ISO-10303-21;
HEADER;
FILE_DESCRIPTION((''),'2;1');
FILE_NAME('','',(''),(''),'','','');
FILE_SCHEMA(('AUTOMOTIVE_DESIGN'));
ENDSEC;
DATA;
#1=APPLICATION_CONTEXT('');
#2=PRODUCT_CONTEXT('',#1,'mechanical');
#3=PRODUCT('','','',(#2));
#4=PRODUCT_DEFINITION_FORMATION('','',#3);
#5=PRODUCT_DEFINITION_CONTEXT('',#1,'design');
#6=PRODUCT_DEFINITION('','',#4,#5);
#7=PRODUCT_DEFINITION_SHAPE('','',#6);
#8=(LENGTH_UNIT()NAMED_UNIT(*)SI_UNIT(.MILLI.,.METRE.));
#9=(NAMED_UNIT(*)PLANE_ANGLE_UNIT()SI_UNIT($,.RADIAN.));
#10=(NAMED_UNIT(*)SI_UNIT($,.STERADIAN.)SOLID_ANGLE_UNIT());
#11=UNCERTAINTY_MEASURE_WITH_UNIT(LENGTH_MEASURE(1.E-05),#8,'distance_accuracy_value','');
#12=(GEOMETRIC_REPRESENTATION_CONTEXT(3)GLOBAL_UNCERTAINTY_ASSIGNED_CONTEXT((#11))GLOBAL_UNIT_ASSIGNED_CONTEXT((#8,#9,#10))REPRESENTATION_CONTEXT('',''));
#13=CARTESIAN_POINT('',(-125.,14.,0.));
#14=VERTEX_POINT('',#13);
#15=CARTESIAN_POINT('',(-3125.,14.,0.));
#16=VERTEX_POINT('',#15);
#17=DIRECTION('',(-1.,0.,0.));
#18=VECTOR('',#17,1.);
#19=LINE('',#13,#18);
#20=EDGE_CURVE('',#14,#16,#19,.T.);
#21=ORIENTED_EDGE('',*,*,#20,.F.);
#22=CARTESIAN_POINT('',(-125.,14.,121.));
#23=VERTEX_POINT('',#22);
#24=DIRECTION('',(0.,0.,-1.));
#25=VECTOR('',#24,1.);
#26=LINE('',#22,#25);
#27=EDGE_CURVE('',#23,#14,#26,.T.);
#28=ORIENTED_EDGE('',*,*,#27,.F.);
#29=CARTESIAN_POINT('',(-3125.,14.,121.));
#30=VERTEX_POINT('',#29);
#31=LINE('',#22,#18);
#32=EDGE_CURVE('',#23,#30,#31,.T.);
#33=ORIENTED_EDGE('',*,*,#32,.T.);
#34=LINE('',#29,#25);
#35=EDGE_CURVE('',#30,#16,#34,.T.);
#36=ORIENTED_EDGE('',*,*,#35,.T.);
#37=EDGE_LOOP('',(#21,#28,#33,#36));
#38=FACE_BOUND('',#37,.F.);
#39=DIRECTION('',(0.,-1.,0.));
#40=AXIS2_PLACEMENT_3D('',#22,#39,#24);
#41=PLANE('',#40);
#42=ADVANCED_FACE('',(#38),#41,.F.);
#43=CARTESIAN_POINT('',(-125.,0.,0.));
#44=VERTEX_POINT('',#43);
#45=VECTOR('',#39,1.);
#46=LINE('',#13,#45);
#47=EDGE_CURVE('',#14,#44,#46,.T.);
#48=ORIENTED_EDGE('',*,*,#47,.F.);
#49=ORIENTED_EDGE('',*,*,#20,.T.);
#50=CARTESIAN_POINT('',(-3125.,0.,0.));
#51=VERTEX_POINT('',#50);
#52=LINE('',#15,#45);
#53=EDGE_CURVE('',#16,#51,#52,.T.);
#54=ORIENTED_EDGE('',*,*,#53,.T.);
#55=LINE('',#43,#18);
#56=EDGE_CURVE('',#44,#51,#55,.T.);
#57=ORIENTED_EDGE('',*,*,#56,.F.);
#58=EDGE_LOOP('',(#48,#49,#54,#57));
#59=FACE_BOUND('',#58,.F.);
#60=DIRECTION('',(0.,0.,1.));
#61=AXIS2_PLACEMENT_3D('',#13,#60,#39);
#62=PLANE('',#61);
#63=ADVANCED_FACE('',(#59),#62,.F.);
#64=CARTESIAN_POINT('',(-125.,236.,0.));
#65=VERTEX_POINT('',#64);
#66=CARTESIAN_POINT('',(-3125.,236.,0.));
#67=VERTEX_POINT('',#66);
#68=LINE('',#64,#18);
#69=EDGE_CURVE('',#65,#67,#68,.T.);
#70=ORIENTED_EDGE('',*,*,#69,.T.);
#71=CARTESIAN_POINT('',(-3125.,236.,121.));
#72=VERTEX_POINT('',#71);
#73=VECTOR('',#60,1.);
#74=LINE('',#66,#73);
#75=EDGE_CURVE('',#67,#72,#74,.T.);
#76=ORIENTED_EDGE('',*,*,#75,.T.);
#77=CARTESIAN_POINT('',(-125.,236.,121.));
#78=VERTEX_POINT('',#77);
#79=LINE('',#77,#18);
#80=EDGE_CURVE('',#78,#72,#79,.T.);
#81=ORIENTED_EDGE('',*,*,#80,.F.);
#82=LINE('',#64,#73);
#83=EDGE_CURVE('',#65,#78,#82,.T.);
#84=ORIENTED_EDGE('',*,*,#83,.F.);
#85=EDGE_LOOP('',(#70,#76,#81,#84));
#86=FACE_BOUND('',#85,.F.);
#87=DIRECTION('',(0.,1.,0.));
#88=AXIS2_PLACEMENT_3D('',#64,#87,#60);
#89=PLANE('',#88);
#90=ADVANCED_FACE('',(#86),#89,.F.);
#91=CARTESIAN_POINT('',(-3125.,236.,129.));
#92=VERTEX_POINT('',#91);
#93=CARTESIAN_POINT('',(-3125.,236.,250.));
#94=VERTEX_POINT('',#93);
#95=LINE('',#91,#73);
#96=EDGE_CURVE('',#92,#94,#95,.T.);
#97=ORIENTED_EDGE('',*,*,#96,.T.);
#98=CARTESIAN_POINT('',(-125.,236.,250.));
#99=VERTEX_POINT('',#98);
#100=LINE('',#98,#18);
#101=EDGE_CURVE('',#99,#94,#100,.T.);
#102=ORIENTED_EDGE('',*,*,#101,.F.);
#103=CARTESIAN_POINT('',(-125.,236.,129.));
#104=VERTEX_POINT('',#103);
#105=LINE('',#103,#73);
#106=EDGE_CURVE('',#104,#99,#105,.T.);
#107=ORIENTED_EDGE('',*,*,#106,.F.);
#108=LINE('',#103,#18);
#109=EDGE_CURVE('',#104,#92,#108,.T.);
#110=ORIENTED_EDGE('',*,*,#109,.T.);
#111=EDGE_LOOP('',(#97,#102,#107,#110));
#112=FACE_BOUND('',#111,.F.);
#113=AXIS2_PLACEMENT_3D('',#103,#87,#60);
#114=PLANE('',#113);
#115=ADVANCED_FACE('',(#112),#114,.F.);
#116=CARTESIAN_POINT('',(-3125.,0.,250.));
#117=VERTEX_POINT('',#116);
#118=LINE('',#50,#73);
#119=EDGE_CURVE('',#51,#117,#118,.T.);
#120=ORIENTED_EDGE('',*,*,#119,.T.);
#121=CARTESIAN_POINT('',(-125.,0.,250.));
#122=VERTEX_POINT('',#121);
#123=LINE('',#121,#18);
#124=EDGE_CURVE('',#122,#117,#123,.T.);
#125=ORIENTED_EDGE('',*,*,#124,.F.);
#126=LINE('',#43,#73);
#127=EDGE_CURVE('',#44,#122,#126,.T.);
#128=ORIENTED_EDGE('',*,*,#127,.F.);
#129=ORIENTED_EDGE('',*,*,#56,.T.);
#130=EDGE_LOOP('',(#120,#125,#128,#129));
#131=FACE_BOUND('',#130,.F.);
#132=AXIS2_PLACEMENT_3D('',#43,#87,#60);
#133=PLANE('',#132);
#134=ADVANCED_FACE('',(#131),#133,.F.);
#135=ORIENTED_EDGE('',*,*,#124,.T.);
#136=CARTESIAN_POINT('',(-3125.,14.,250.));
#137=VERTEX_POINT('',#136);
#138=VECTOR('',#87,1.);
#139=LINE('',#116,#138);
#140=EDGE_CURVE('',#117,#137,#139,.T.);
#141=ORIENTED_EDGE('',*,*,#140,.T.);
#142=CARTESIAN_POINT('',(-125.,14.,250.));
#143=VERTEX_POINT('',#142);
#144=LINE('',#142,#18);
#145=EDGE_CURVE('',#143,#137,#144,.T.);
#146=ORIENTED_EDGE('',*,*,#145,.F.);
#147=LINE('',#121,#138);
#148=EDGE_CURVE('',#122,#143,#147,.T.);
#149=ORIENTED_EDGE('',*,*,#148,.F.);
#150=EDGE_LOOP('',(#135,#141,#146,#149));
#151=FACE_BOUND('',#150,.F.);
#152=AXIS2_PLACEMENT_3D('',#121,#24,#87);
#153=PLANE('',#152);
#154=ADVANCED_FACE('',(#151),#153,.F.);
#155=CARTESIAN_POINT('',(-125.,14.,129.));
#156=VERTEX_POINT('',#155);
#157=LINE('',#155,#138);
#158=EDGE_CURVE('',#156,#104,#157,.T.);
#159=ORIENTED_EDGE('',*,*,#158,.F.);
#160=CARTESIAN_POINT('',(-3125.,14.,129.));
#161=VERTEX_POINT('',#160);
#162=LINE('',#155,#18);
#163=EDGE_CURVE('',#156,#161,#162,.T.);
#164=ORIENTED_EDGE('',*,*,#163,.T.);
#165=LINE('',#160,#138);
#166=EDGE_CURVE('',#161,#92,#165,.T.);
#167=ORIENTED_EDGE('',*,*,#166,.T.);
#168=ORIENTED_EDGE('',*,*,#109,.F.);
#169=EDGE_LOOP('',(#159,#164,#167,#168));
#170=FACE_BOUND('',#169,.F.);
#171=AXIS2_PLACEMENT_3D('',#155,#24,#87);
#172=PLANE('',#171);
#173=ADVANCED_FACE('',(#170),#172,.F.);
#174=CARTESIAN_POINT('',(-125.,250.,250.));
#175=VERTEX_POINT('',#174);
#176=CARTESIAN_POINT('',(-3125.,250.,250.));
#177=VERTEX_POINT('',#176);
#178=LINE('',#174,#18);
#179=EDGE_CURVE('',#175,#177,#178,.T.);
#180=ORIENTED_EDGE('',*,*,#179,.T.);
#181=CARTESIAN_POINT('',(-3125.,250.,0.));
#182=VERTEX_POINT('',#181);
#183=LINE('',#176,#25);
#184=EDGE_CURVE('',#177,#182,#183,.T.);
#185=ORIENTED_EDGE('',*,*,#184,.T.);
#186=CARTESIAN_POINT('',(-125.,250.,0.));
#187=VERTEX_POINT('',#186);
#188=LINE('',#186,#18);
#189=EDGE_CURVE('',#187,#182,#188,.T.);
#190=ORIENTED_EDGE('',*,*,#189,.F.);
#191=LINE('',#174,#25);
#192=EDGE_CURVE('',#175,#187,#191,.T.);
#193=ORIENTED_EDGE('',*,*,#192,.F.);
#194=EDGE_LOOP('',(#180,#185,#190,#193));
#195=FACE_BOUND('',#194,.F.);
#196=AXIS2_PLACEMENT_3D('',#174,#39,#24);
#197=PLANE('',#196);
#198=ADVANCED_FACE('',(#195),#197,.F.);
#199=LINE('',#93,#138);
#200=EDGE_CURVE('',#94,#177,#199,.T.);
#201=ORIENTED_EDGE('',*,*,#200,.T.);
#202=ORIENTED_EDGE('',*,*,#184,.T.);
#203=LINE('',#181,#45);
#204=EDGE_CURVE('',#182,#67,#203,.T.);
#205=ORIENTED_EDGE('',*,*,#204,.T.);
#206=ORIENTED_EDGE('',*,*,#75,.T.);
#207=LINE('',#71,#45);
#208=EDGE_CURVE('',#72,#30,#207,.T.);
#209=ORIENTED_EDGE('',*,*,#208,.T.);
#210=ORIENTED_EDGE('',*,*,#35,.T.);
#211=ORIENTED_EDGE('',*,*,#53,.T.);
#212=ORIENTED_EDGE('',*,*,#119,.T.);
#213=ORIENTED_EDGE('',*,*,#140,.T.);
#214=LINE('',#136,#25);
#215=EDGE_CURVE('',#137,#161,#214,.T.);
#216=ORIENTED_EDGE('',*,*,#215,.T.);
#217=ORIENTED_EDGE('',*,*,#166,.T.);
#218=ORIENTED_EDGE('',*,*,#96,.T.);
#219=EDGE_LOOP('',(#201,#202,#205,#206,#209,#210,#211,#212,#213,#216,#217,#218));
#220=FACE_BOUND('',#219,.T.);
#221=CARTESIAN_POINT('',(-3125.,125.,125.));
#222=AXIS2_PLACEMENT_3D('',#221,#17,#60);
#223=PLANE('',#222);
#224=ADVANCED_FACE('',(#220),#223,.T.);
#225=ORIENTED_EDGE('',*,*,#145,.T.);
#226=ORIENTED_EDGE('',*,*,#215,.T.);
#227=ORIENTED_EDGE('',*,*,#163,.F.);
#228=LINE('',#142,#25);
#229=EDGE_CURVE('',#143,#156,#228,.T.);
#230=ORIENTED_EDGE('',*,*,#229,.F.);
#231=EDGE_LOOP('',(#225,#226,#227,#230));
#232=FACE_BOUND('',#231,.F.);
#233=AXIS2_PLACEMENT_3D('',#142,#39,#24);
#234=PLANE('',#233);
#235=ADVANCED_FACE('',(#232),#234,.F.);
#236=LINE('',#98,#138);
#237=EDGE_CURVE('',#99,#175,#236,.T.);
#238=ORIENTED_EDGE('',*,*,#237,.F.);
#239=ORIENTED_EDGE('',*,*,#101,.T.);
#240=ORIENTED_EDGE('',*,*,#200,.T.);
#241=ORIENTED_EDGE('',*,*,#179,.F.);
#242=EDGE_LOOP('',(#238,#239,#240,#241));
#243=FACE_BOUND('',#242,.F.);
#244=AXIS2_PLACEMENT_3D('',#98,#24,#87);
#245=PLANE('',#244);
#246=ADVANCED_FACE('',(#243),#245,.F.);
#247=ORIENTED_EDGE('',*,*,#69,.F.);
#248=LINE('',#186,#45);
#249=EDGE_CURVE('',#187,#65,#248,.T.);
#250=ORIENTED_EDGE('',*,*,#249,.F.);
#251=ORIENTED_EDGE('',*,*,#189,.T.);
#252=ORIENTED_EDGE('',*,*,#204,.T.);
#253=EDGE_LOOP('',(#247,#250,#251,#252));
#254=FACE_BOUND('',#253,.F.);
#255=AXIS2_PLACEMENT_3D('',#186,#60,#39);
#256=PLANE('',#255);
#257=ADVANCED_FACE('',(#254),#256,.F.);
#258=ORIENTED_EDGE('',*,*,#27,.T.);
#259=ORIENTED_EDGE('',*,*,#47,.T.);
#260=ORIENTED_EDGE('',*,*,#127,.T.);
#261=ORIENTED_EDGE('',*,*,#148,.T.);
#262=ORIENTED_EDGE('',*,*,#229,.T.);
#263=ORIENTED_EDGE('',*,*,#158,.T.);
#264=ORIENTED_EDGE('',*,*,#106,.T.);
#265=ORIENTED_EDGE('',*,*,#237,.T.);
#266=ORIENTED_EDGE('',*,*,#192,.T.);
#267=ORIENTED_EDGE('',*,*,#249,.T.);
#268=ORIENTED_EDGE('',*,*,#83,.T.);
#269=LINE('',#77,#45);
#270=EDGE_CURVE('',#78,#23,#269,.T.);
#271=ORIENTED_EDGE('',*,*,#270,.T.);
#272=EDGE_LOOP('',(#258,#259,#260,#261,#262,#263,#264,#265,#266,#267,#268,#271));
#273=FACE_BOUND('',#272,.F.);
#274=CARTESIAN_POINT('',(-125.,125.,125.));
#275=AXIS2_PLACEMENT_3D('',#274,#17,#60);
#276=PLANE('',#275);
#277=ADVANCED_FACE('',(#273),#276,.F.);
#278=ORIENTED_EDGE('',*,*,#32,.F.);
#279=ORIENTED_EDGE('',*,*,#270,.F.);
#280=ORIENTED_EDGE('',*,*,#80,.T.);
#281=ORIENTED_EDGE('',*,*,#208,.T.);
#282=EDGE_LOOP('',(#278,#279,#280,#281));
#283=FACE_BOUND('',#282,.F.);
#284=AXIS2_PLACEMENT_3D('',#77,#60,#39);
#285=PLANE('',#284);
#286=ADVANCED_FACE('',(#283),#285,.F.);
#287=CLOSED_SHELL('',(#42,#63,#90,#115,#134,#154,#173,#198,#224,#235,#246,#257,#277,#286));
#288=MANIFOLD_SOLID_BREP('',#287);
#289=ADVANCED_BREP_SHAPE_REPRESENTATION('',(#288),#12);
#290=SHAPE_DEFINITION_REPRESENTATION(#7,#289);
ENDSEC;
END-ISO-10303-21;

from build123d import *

# Parameters (mm, degrees)
F1_DEPTH = 3000
F2_ANGLE = 90


with BuildPart() as f1:
    # F0 (on Top) → F1 (new body)
    with BuildSketch(Plane.XY):
        Polygon((125, 250), (0, 250), (-125, 250), (-125, 236), (-4, 236), (-4, 14), (-125, 14), (-125, 0), (0, 0), (125, 0), (125, 14), (4, 14), (4, 236), (125, 236), align=None)
    extrude(amount=F1_DEPTH)


with BuildPart() as f1_1:
    # F2: moved
    add(f1.part.rotate(Axis((-125, 243, 0), (0, -1, 0)), F2_ANGLE))


solid = f1_1.part
